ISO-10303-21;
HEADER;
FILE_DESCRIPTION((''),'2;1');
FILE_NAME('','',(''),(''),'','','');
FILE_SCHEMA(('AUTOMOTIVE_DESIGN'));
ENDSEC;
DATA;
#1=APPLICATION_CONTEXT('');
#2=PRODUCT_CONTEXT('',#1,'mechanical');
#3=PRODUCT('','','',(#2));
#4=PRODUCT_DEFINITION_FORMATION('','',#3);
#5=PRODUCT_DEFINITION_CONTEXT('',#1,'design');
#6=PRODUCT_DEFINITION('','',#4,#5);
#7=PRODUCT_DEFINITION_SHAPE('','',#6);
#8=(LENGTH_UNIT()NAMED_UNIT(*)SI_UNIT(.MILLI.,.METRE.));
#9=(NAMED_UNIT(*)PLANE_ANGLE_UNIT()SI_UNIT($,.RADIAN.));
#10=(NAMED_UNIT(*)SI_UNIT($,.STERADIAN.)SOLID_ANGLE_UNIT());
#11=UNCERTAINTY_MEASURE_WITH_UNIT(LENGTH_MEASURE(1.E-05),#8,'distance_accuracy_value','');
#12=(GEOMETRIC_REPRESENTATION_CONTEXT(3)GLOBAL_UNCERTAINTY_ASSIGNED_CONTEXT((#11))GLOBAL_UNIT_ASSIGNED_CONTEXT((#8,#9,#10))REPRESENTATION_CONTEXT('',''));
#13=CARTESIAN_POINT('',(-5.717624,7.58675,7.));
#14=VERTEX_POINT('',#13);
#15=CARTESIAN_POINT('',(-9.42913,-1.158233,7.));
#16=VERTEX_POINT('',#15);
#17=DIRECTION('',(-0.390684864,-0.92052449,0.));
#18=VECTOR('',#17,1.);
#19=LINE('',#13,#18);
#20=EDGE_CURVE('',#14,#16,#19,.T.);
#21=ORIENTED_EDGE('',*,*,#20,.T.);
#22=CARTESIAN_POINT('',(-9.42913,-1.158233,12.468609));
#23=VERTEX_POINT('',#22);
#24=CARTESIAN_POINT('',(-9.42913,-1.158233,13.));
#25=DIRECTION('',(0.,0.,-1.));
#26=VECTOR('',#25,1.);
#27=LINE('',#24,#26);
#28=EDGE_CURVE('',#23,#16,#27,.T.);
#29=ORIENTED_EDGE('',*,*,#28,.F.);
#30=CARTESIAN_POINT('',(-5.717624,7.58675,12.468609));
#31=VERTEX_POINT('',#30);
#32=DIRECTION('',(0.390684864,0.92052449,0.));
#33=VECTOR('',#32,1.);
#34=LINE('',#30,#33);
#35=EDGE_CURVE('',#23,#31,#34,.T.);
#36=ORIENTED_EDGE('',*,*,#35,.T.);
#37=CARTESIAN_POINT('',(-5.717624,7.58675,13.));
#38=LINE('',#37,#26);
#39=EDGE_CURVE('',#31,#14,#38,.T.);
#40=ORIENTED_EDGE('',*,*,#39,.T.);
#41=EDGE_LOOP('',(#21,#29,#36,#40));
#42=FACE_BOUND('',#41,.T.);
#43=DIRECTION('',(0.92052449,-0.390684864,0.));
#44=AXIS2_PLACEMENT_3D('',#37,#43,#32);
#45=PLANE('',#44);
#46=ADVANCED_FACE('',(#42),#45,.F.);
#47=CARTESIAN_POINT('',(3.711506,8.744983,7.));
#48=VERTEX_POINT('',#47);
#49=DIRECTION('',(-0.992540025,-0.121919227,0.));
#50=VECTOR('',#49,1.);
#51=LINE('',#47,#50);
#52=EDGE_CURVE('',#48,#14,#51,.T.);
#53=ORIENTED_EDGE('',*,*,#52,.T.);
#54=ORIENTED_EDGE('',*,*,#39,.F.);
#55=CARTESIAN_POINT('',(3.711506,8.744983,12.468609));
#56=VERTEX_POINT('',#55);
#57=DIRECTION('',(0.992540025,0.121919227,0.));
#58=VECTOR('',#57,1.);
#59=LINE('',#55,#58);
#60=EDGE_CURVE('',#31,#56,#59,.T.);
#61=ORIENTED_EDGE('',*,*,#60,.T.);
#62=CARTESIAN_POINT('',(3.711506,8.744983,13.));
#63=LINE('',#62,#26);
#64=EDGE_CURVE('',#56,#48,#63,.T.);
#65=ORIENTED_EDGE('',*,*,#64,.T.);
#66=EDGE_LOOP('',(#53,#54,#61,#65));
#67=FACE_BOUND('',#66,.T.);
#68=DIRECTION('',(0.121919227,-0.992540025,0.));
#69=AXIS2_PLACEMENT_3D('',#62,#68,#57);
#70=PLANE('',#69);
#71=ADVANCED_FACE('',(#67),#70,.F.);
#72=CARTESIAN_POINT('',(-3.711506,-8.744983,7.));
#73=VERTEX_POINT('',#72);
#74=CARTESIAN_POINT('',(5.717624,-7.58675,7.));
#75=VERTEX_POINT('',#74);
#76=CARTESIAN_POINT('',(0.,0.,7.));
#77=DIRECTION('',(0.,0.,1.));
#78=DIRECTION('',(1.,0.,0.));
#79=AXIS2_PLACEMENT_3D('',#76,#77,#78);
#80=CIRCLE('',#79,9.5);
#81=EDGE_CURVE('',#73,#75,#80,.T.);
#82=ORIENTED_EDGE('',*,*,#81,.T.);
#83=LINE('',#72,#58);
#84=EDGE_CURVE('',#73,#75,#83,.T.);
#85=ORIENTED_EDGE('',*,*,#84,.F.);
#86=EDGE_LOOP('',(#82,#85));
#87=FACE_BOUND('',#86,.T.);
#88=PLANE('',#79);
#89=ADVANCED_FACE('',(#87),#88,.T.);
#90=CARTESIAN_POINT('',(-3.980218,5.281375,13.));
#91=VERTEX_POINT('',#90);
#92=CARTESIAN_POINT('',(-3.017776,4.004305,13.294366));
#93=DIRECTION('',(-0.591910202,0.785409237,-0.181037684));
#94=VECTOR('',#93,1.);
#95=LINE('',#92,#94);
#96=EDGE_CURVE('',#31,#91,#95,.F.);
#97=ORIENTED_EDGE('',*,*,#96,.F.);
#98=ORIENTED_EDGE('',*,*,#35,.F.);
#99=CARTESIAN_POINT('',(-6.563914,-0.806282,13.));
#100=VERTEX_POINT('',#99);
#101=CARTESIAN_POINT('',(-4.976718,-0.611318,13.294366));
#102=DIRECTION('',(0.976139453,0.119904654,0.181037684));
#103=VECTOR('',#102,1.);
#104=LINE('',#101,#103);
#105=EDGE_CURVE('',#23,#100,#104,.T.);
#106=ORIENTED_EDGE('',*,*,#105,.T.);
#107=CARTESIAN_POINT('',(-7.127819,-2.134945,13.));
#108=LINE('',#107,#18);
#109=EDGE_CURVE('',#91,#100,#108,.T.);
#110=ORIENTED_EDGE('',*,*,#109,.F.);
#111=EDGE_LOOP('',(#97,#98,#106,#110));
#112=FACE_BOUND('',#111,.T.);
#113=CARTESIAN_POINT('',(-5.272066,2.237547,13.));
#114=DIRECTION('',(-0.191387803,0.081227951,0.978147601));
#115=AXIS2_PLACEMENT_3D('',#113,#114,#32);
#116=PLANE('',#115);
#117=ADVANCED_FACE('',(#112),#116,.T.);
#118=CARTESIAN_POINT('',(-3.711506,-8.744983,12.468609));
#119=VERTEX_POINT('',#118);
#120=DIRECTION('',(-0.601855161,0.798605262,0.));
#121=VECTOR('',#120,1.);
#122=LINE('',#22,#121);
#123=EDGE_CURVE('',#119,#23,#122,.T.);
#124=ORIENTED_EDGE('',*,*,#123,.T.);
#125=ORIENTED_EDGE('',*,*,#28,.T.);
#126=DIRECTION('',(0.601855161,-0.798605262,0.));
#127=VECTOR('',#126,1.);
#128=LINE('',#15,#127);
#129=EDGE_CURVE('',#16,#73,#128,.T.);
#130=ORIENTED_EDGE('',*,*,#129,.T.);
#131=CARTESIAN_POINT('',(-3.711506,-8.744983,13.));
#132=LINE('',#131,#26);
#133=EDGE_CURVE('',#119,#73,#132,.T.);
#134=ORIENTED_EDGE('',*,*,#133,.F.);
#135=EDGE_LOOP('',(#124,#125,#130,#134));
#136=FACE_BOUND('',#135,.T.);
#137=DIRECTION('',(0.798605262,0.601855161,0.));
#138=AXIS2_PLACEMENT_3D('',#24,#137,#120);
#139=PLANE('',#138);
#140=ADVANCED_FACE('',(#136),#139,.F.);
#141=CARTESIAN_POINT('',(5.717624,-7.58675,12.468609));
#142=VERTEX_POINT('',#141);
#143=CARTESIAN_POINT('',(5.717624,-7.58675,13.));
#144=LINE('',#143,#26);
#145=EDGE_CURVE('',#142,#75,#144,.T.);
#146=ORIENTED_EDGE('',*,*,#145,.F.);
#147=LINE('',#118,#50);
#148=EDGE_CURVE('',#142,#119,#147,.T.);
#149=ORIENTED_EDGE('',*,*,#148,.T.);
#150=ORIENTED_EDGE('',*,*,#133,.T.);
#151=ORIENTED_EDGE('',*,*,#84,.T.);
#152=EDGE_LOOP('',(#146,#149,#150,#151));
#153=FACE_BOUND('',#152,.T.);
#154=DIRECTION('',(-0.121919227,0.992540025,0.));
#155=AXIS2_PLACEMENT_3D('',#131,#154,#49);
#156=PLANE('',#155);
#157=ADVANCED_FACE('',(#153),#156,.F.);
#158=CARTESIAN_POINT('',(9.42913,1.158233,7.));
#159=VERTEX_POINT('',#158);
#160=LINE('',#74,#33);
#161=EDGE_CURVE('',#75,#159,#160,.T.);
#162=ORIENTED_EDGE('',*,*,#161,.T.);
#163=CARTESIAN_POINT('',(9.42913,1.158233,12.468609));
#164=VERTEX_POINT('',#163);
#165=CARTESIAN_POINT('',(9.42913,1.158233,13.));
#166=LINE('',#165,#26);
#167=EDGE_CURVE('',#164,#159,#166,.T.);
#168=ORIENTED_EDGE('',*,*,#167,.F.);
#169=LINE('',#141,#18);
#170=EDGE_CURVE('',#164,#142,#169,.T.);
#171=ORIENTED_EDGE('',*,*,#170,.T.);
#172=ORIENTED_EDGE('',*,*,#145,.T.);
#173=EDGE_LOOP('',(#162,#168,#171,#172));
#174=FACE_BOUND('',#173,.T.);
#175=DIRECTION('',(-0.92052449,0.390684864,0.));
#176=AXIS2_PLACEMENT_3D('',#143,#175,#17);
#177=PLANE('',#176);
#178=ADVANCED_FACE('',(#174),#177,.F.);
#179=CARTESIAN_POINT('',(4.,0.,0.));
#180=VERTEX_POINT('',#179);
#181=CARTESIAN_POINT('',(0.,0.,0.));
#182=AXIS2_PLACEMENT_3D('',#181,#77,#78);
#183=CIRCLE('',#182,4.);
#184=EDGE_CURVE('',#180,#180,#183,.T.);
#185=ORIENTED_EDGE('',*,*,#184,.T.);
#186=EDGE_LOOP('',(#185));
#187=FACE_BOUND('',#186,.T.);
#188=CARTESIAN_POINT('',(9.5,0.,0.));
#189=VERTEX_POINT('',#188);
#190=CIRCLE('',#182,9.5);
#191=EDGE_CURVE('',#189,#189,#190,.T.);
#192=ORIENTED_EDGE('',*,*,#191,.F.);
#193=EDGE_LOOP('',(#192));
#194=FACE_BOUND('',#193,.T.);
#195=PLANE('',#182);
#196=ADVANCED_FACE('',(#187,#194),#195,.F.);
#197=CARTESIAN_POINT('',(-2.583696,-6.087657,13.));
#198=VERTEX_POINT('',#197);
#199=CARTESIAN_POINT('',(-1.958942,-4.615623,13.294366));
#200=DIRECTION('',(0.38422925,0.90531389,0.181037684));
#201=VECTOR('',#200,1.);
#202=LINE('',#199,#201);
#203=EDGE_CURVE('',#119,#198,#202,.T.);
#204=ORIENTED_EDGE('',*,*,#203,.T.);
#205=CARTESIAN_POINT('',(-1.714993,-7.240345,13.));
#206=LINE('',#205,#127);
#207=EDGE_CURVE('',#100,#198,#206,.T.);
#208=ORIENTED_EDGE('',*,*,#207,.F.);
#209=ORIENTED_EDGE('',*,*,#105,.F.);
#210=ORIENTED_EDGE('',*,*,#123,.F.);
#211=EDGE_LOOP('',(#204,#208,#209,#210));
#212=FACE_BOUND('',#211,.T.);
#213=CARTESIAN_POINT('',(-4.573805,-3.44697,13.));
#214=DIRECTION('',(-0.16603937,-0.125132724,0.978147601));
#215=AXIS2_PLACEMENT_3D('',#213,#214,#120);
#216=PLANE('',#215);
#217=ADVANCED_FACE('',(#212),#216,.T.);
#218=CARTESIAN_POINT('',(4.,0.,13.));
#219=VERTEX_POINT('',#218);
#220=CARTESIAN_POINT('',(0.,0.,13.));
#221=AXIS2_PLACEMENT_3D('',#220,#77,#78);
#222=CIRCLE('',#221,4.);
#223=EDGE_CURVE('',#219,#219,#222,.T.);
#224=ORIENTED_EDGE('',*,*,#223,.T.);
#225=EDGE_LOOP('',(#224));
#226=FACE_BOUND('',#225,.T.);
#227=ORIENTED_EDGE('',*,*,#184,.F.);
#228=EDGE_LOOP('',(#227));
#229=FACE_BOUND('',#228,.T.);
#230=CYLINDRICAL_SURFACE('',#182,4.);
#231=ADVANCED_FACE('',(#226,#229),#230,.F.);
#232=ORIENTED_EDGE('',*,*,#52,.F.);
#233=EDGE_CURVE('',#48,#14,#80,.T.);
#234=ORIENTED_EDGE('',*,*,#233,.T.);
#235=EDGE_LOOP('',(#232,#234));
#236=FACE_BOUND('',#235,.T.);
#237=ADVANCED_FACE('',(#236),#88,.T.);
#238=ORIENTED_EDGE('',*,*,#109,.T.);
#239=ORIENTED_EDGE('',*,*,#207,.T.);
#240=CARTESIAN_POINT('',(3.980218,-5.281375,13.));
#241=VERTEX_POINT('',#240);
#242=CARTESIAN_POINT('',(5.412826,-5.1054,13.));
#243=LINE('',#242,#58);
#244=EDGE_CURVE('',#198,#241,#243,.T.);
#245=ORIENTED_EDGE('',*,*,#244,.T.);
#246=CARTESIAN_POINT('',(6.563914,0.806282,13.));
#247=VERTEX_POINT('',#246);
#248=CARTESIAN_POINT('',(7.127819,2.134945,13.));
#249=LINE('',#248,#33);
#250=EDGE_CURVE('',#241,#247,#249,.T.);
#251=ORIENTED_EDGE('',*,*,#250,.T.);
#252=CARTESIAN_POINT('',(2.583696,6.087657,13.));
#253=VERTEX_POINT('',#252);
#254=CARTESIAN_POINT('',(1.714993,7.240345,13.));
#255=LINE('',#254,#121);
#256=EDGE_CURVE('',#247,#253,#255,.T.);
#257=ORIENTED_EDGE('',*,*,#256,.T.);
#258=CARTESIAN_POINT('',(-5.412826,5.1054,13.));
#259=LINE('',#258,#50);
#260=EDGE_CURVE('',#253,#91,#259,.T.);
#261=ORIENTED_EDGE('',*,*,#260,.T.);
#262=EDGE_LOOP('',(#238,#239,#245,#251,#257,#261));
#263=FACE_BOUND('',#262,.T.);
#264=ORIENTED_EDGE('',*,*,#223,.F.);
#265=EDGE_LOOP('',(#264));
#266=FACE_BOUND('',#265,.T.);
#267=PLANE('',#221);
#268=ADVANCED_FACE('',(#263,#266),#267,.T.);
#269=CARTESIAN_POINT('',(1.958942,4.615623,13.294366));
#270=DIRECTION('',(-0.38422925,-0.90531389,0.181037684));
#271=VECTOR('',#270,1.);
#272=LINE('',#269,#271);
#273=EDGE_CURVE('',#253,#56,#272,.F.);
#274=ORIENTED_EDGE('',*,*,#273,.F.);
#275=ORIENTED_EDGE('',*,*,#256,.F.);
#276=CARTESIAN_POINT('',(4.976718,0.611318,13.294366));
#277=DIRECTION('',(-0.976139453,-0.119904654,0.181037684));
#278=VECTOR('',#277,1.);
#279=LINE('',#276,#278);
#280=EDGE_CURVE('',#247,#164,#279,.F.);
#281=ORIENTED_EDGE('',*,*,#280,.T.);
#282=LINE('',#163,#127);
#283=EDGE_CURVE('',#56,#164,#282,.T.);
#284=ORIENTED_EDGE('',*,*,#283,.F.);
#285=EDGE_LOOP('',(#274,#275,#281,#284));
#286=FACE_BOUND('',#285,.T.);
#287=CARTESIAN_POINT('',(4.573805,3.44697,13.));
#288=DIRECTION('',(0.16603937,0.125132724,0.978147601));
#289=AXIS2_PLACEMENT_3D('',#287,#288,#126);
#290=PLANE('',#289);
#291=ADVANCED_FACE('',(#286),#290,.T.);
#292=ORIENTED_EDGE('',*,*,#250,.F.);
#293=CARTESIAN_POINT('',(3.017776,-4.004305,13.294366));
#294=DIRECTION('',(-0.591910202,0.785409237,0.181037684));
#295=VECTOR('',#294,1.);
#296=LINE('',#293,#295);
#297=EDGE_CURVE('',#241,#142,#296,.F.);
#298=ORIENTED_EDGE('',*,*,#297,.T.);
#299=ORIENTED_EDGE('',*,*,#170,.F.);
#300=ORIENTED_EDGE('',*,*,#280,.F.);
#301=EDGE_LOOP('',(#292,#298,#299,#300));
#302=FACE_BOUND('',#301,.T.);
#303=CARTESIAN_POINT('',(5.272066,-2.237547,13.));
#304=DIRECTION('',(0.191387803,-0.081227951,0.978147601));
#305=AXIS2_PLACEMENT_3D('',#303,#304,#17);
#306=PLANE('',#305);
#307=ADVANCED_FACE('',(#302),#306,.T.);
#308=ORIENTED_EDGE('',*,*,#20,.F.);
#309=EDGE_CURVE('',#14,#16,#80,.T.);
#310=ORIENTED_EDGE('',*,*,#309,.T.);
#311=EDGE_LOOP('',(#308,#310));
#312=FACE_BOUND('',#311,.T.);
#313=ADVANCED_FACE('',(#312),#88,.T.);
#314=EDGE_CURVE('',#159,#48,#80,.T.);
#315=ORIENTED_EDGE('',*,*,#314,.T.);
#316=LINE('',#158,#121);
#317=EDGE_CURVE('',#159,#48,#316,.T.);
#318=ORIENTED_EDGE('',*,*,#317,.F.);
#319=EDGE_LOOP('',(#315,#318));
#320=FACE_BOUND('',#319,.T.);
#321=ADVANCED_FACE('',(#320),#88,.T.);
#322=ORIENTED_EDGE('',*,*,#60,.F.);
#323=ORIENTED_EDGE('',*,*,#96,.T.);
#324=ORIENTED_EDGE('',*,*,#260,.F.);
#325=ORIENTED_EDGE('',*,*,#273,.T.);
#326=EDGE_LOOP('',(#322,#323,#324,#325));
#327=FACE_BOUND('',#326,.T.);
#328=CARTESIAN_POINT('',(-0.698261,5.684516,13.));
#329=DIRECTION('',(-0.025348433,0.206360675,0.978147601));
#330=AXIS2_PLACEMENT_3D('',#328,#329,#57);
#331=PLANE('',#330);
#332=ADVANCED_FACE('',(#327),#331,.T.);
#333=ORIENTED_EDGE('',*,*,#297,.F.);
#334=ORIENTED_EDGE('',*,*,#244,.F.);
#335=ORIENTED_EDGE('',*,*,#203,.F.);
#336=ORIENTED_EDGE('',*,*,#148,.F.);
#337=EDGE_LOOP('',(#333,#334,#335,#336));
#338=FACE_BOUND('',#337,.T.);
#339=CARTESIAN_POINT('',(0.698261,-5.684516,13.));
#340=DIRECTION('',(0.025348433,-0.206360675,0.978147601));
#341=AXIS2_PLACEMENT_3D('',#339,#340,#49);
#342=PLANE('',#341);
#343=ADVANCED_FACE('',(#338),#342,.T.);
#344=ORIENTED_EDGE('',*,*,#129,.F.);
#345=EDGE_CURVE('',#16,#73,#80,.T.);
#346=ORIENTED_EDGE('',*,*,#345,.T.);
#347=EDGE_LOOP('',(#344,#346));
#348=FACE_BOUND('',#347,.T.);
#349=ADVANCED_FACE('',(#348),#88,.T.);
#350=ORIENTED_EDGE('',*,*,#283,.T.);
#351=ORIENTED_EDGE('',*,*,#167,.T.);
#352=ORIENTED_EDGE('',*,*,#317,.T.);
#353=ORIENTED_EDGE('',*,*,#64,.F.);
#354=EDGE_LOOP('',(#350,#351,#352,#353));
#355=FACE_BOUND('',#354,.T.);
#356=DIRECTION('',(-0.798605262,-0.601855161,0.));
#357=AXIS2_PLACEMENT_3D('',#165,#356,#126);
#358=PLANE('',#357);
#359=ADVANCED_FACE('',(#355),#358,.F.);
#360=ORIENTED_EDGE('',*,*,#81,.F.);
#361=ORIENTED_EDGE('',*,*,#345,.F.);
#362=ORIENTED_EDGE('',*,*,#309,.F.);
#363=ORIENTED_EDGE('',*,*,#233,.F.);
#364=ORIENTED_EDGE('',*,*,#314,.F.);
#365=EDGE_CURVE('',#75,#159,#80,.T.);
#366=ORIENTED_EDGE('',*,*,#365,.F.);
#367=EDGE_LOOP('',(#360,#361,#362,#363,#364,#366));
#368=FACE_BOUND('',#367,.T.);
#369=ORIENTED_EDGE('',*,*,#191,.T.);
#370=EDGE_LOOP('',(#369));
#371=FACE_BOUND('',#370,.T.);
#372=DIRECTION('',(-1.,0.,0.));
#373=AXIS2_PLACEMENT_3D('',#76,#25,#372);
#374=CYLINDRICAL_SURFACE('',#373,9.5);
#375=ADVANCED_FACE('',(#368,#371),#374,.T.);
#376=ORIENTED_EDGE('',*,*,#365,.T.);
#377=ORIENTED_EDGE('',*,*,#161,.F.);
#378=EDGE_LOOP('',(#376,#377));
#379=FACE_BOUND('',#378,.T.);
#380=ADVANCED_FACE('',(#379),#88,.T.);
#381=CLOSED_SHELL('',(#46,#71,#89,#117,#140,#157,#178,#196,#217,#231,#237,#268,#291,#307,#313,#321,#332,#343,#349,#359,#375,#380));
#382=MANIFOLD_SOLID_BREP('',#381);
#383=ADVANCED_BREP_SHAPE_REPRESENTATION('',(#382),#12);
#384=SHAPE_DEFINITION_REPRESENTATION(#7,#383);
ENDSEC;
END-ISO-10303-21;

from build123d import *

# Parameters (mm, degrees)
CROQUIS1_R              = 9.5
SALIENTE_EXTRUIR1_DEPTH = 7
SALIENTE_EXTRUIR2_DEPTH = 6
CROQUIS3_R              = 4
CORTAR_EXTRUIR1_DEPTH   = 14
CHAFL_N1_SIZE           = 2.5
CHAFL_N1_SIZE2          = 0.531391404


with BuildPart() as part:
    # Croquis1 → Saliente-Extruir1 (new body)
    with BuildSketch(Plane.XY):
        Circle(CROQUIS1_R)
    extrude(amount=SALIENTE_EXTRUIR1_DEPTH)

    # Croquis2 → Saliente-Extruir2 (add)
    with BuildSketch(Plane.XY.offset(7)):
        Polygon((3.711506212, 8.744982655), (-5.717624029, 7.586749994), (-9.429130241, -1.158232661), (-3.711506212, -8.744982655), (5.717624029, -7.586749994), (9.429130241, 1.158232661), align=None)
    extrude(amount=SALIENTE_EXTRUIR2_DEPTH)

    # Croquis3 → Cortar-Extruir1 (cut, through all)
    with BuildSketch(Plane.XY.offset(13)):
        Circle(CROQUIS3_R)
    extrude(amount=-CORTAR_EXTRUIR1_DEPTH, mode=Mode.SUBTRACT)

    # Chaflán1
    chafl_n1_edges = [part.edges().sort_by_distance(p)[0] for p in [
        (6.570318227, 4.951607658, 13),
        (-1.003058908, 8.165866324, 13),
        (-7.573377135, 3.214258666, 13),
        (-6.570318227, -4.951607658, 13),
        (1.003058908, -8.165866324, 13),
        (7.573377135, -3.214258666, 13),
    ]]
    chafl_n1_side = [part.faces().sort_by_distance(p)[0] for p in [
        (-0.97170094, 7.910582237, 13),
    ]]
    chamfer(chafl_n1_edges, length=CHAFL_N1_SIZE, length2=CHAFL_N1_SIZE2, reference=chafl_n1_side[0])


solid = part.part
